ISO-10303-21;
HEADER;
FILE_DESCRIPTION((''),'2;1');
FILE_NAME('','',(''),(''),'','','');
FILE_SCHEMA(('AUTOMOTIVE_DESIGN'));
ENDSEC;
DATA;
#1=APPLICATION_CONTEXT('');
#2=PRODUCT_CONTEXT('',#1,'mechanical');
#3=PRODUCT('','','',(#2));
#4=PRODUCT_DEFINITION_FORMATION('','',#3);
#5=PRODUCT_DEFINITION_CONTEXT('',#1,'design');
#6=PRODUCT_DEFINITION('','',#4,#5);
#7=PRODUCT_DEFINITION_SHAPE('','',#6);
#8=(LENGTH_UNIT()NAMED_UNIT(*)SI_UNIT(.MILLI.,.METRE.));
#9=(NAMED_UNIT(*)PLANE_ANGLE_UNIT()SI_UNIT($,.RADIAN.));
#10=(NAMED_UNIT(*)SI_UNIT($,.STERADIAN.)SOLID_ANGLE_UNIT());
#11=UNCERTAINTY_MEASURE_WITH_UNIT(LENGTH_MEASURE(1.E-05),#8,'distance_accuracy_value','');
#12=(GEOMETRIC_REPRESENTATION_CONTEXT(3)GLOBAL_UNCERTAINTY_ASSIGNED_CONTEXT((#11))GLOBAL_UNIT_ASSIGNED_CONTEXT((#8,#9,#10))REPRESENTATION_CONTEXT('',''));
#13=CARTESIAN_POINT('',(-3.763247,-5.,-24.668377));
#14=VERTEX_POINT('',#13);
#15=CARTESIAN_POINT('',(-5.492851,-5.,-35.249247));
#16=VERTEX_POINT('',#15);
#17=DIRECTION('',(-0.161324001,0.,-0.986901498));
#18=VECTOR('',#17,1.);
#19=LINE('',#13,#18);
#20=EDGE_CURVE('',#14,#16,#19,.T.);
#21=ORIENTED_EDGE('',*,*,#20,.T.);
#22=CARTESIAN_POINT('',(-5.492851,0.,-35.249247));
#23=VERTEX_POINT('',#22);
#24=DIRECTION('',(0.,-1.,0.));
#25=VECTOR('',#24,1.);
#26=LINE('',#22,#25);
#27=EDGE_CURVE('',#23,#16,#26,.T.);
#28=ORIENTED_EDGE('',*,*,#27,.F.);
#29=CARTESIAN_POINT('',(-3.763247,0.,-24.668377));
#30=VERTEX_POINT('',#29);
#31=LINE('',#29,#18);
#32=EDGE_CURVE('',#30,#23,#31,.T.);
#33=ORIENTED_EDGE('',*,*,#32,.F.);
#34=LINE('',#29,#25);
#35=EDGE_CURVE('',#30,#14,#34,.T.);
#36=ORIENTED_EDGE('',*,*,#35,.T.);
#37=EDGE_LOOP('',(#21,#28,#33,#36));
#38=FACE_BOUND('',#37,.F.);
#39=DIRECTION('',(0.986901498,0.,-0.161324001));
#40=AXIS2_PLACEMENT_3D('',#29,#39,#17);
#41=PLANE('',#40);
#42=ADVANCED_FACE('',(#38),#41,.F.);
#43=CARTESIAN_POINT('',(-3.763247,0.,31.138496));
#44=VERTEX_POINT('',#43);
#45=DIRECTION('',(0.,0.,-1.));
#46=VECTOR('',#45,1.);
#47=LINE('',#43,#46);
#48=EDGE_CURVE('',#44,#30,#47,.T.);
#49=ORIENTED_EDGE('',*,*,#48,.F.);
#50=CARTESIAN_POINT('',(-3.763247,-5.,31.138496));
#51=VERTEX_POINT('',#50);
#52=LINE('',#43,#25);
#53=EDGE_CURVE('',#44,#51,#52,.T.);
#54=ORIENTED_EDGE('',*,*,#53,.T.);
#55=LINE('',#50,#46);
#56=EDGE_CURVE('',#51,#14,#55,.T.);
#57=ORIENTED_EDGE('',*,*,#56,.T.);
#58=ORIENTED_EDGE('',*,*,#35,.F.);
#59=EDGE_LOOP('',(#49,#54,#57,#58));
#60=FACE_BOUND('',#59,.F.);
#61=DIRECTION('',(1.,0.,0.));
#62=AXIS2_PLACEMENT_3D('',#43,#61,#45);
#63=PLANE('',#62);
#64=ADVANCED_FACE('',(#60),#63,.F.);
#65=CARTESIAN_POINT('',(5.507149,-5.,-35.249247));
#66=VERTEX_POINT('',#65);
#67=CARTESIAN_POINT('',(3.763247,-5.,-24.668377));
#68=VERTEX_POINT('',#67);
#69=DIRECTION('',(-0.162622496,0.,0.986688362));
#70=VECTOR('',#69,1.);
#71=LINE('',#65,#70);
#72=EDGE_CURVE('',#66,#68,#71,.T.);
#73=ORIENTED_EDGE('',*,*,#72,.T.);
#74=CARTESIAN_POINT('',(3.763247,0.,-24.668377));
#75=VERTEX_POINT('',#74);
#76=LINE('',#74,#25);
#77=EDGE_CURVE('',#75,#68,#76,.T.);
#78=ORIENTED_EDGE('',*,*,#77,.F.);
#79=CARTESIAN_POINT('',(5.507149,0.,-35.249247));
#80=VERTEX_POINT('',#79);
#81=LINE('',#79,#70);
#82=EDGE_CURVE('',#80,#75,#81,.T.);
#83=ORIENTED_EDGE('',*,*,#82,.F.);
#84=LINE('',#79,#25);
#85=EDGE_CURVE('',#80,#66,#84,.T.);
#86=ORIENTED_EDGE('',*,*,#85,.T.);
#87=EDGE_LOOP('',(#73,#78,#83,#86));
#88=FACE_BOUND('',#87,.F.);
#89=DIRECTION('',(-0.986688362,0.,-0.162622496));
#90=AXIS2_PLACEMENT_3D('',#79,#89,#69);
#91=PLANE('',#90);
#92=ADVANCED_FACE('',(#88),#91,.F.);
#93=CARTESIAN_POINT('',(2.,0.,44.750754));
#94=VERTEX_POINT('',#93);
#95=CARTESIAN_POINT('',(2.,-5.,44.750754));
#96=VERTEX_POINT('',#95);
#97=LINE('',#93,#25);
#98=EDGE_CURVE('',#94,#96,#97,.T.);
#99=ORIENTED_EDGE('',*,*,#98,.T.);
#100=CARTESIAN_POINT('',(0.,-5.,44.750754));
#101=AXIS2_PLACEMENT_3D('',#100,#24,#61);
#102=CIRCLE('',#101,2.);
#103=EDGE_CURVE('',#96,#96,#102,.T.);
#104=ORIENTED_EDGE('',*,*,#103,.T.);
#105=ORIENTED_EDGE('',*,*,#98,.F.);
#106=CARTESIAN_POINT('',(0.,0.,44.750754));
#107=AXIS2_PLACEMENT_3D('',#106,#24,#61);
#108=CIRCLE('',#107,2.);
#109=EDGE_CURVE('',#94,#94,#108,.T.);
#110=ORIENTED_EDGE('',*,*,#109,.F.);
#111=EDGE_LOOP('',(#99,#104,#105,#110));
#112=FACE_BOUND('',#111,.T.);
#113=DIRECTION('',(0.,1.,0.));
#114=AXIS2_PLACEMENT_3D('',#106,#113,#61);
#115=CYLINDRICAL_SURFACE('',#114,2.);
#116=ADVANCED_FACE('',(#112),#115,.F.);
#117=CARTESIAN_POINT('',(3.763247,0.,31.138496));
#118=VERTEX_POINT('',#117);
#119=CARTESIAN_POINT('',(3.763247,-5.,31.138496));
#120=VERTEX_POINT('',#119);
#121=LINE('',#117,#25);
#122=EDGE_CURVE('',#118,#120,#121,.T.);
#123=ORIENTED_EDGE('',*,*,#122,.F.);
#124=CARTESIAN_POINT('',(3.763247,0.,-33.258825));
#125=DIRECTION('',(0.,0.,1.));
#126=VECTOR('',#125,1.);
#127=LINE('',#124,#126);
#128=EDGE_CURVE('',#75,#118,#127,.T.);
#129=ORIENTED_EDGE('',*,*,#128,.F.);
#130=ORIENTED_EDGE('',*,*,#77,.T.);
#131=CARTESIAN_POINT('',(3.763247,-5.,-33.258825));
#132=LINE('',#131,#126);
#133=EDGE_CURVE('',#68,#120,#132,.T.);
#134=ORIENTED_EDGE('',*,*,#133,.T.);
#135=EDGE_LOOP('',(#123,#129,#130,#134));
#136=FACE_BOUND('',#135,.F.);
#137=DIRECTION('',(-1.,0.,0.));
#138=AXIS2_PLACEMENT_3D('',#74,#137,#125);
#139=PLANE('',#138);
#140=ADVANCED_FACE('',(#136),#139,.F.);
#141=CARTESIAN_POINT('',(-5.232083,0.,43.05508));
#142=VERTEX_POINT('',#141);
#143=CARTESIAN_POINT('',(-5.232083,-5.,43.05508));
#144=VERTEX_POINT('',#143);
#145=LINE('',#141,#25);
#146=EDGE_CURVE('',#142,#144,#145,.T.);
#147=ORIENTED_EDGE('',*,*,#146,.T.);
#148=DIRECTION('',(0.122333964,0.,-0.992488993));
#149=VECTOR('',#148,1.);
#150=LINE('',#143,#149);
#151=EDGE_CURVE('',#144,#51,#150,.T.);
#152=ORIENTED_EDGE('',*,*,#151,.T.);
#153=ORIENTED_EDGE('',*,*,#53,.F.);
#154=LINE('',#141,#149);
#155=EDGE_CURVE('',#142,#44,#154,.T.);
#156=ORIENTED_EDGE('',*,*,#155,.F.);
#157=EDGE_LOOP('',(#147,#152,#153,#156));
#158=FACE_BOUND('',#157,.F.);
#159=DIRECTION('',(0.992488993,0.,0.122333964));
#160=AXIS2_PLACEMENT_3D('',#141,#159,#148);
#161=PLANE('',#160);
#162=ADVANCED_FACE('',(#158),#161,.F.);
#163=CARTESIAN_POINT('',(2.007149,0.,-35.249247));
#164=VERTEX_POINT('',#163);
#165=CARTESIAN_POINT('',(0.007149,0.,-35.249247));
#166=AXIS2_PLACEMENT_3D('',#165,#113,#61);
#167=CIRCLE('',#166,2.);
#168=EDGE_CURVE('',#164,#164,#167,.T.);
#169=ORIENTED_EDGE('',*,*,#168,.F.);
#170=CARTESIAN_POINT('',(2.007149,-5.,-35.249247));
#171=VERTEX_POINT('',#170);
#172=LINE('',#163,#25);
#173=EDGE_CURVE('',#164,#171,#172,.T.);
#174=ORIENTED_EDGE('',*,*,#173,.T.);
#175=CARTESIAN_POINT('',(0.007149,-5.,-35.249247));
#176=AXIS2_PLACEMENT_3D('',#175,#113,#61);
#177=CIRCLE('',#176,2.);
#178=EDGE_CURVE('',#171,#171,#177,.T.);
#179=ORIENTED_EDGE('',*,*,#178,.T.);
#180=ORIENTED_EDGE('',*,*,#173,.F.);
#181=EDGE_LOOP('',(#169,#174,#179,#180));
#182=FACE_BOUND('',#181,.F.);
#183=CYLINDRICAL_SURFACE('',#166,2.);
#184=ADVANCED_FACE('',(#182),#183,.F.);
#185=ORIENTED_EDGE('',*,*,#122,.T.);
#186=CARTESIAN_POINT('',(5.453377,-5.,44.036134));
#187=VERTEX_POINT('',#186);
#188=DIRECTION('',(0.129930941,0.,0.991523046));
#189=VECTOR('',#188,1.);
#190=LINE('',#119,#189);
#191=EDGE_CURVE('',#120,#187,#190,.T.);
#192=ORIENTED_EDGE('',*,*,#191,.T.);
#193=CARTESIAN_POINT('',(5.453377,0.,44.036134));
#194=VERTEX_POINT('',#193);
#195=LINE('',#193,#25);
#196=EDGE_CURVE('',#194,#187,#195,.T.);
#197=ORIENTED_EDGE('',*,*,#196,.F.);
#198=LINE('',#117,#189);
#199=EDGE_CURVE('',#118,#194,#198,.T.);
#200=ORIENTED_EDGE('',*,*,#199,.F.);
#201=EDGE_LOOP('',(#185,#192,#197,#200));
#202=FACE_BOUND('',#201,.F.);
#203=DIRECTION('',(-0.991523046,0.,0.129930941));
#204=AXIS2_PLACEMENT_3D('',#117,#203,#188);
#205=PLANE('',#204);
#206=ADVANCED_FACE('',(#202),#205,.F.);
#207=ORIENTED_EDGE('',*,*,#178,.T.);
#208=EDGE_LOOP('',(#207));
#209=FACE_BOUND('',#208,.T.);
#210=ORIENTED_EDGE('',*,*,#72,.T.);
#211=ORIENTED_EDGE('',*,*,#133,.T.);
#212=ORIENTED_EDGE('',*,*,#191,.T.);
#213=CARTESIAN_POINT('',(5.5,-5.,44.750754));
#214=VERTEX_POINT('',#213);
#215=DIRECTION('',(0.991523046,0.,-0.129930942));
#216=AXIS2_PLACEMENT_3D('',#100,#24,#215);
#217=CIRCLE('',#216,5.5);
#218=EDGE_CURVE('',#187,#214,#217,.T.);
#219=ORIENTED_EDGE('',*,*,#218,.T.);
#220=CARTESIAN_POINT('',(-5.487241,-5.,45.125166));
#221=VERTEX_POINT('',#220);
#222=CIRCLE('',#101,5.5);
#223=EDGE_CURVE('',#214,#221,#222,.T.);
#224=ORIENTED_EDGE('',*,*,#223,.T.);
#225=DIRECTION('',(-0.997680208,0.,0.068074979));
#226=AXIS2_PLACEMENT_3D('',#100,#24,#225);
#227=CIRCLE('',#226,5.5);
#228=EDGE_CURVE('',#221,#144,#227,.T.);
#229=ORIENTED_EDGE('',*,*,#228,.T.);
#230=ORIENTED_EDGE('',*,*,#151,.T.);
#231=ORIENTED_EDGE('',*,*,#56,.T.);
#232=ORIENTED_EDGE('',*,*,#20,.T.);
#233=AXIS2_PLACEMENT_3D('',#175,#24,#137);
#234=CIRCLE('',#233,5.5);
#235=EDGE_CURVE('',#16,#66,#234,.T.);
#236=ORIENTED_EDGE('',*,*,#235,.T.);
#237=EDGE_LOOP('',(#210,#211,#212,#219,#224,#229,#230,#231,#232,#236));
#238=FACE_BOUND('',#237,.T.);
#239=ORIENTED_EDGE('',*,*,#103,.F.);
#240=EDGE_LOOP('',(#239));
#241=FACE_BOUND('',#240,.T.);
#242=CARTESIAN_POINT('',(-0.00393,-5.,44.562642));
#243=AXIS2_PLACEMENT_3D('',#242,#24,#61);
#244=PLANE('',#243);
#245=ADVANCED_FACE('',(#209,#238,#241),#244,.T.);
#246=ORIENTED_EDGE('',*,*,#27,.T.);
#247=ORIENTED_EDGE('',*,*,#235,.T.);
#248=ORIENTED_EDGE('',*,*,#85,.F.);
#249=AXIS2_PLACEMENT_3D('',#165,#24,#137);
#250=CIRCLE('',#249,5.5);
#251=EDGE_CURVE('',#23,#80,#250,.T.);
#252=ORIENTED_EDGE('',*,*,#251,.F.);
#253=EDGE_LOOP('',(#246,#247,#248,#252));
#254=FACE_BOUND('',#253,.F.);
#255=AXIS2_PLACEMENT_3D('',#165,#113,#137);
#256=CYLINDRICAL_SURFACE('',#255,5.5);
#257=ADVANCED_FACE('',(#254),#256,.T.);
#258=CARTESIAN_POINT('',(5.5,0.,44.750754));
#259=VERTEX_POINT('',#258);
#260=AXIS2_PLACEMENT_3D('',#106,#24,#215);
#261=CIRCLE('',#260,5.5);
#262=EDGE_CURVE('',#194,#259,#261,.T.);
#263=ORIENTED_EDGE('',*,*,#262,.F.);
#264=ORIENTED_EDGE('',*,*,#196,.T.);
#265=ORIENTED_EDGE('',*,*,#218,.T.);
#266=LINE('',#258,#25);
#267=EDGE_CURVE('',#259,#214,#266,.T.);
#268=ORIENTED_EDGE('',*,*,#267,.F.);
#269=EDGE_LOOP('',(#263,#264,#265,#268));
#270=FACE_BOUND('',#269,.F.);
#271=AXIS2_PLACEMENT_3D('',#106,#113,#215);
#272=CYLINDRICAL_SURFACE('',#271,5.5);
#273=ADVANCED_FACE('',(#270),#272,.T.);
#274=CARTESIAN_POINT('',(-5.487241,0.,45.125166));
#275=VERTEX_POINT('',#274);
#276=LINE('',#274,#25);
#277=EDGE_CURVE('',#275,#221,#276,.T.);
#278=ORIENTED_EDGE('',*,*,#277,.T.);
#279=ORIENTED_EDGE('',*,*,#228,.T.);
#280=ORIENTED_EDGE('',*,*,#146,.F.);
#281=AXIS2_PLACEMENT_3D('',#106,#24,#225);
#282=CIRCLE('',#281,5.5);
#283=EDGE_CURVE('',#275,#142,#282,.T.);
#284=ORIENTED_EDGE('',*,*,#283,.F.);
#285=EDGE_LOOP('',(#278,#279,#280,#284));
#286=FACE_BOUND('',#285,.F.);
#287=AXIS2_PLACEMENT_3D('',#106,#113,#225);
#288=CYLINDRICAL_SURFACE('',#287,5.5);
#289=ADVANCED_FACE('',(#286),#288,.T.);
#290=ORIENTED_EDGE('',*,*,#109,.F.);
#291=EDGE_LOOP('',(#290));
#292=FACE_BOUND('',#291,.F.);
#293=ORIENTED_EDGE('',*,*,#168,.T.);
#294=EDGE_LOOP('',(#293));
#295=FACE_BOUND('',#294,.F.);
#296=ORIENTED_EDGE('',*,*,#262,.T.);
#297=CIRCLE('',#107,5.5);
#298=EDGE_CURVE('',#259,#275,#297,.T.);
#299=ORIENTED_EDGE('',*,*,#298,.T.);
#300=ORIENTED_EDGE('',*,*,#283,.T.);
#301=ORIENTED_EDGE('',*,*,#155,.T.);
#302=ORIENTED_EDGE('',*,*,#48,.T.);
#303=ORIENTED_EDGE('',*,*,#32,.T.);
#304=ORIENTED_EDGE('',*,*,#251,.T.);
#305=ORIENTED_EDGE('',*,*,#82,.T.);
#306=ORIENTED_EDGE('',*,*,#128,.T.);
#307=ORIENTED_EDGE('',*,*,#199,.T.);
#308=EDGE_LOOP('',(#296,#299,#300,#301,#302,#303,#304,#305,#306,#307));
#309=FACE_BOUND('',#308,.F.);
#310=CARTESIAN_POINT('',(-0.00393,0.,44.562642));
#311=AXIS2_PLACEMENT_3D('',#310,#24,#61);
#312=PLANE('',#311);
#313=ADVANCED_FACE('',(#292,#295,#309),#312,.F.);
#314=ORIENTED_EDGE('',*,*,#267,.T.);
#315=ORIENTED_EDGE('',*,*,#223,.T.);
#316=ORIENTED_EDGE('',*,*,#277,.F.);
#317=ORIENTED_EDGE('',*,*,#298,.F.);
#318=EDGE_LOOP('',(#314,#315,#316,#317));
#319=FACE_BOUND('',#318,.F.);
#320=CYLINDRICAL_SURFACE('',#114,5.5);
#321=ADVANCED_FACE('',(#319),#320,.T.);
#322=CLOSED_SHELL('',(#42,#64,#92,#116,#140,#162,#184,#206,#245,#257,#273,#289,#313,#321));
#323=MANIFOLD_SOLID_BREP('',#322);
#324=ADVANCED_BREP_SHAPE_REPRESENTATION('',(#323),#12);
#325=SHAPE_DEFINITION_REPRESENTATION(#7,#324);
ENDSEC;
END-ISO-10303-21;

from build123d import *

# Parameters (mm, degrees)
F0_R     = 2
F1_DEPTH = 5


with BuildPart() as f1:
    # F0 (on Front) → F1 (new body)
    with BuildSketch(Plane.XZ):
        with BuildLine():
            ThreePointArc((5.4533767522, 44.0361336126), (5.4883318111, 44.3926840604), (5.5, 44.7507537901))
            ThreePointArc((5.5, 44.7507537901), (0.1873148571, 50.2475631505), (-5.4872411434, 45.1251661756))
            Line((-5.4872411434, 45.1251661756), (-5.2320828014, 43.0550800129))
            ThreePointArc((-5.2320828014, 43.0550800129), (-4.6442602789, 41.8044261671), (-3.7632474688, 40.7397728018))
            ThreePointArc((-3.7632474688, 40.7397728018), (0, 39.2507537901), (3.7632474688, 40.7397728018))
            ThreePointArc((3.7632474688, 40.7397728018), (4.8941842177, 42.241379198), (5.4533767522, 44.0361336126))
        make_face()
        with Locations((0, 44.7507537901)):
            Circle(F0_R, mode=Mode.SUBTRACT)
        with BuildLine():
            Line((-5.2320828014, 43.0550800129), (-5.4872411434, 45.1251661756))
            ThreePointArc((-5.4872411434, 45.1251661756), (-5.4586894617, 44.0779169888), (-5.2320828014, 43.0550800129))
        make_face()
        with BuildLine():
            Line((3.7632474688, 31.1384964734), (5.4533767522, 44.0361336126))
            ThreePointArc((5.4533767522, 44.0361336126), (4.8941842177, 42.241379198), (3.7632474688, 40.7397728018))
            Line((3.7632474688, 40.7397728018), (3.7632474688, 31.1384964734))
        make_face()
        with BuildLine():
            ThreePointArc((-3.7632474688, 40.7397728018), (-4.6442602789, 41.8044261671), (-5.2320828014, 43.0550800129))
            Line((-5.2320828014, 43.0550800129), (-3.7632474688, 31.1384964734))
            Line((-3.7632474688, 31.1384964734), (-3.7632474688, 40.7397728018))
        make_face()
        with BuildLine():
            Line((3.7632474688, 31.1384964734), (3.7632474688, 40.7397728018))
            ThreePointArc((3.7632474688, 40.7397728018), (0, 39.2507537901), (-3.7632474688, 40.7397728018))
            Line((-3.7632474688, 40.7397728018), (-3.7632474688, 31.1384964734))
            Line((-3.7632474688, 31.1384964734), (3.7632474688, 31.1384964734))
        make_face()
        Polygon((3.7632474688, -24.6683768928), (3.7632474688, 31.1384964734), (-3.7632474688, 31.1384964734), (-3.7632474688, -24.6683768928), (3.7632474688, -33.2588251399), align=None)
        Polygon((5.5071490914, -35.2492465462), (3.7632474688, -24.6683768928), (3.7632474688, -33.2588251399), align=None)
        with BuildLine():
            Line((3.7632474688, -33.2588251399), (-3.7632474688, -24.6683768928))
            Line((-3.7632474688, -24.6683768928), (-3.7632474688, -35.2492465462))
            Line((-3.7632474688, -35.2492465462), (-1.9928509086, -35.2492465462))
            ThreePointArc((-1.9928509086, -35.2492465462), (0.0071490914, -33.2492465462), (2.0071490914, -35.2492465462))
            Line((2.0071490914, -35.2492465462), (3.7632474688, -35.2492465462))
            Line((3.7632474688, -35.2492465462), (3.7632474688, -33.2588251399))
        make_face()
        Polygon((-3.7632474688, -35.2492465462), (-3.7632474688, -24.6683768928), (-5.4928509086, -35.2492465462), align=None)
        with BuildLine():
            Line((5.5071490914, -35.2492465462), (3.7632474688, -33.2588251399))
            Line((3.7632474688, -33.2588251399), (3.7632474688, -35.2492465462))
            Line((3.7632474688, -35.2492465462), (2.0071490914, -35.2492465462))
            ThreePointArc((2.0071490914, -35.2492465462), (0.0071490914, -37.2492465462), (-1.9928509086, -35.2492465462))
            Line((-1.9928509086, -35.2492465462), (-3.7632474688, -35.2492465462))
            Line((-3.7632474688, -35.2492465462), (-5.4928509086, -35.2492465462))
            ThreePointArc((-5.4928509086, -35.2492465462), (0.0071490914, -40.7492465462), (5.5071490914, -35.2492465462))
        make_face()
    extrude(amount=F1_DEPTH)


solid = f1.part
